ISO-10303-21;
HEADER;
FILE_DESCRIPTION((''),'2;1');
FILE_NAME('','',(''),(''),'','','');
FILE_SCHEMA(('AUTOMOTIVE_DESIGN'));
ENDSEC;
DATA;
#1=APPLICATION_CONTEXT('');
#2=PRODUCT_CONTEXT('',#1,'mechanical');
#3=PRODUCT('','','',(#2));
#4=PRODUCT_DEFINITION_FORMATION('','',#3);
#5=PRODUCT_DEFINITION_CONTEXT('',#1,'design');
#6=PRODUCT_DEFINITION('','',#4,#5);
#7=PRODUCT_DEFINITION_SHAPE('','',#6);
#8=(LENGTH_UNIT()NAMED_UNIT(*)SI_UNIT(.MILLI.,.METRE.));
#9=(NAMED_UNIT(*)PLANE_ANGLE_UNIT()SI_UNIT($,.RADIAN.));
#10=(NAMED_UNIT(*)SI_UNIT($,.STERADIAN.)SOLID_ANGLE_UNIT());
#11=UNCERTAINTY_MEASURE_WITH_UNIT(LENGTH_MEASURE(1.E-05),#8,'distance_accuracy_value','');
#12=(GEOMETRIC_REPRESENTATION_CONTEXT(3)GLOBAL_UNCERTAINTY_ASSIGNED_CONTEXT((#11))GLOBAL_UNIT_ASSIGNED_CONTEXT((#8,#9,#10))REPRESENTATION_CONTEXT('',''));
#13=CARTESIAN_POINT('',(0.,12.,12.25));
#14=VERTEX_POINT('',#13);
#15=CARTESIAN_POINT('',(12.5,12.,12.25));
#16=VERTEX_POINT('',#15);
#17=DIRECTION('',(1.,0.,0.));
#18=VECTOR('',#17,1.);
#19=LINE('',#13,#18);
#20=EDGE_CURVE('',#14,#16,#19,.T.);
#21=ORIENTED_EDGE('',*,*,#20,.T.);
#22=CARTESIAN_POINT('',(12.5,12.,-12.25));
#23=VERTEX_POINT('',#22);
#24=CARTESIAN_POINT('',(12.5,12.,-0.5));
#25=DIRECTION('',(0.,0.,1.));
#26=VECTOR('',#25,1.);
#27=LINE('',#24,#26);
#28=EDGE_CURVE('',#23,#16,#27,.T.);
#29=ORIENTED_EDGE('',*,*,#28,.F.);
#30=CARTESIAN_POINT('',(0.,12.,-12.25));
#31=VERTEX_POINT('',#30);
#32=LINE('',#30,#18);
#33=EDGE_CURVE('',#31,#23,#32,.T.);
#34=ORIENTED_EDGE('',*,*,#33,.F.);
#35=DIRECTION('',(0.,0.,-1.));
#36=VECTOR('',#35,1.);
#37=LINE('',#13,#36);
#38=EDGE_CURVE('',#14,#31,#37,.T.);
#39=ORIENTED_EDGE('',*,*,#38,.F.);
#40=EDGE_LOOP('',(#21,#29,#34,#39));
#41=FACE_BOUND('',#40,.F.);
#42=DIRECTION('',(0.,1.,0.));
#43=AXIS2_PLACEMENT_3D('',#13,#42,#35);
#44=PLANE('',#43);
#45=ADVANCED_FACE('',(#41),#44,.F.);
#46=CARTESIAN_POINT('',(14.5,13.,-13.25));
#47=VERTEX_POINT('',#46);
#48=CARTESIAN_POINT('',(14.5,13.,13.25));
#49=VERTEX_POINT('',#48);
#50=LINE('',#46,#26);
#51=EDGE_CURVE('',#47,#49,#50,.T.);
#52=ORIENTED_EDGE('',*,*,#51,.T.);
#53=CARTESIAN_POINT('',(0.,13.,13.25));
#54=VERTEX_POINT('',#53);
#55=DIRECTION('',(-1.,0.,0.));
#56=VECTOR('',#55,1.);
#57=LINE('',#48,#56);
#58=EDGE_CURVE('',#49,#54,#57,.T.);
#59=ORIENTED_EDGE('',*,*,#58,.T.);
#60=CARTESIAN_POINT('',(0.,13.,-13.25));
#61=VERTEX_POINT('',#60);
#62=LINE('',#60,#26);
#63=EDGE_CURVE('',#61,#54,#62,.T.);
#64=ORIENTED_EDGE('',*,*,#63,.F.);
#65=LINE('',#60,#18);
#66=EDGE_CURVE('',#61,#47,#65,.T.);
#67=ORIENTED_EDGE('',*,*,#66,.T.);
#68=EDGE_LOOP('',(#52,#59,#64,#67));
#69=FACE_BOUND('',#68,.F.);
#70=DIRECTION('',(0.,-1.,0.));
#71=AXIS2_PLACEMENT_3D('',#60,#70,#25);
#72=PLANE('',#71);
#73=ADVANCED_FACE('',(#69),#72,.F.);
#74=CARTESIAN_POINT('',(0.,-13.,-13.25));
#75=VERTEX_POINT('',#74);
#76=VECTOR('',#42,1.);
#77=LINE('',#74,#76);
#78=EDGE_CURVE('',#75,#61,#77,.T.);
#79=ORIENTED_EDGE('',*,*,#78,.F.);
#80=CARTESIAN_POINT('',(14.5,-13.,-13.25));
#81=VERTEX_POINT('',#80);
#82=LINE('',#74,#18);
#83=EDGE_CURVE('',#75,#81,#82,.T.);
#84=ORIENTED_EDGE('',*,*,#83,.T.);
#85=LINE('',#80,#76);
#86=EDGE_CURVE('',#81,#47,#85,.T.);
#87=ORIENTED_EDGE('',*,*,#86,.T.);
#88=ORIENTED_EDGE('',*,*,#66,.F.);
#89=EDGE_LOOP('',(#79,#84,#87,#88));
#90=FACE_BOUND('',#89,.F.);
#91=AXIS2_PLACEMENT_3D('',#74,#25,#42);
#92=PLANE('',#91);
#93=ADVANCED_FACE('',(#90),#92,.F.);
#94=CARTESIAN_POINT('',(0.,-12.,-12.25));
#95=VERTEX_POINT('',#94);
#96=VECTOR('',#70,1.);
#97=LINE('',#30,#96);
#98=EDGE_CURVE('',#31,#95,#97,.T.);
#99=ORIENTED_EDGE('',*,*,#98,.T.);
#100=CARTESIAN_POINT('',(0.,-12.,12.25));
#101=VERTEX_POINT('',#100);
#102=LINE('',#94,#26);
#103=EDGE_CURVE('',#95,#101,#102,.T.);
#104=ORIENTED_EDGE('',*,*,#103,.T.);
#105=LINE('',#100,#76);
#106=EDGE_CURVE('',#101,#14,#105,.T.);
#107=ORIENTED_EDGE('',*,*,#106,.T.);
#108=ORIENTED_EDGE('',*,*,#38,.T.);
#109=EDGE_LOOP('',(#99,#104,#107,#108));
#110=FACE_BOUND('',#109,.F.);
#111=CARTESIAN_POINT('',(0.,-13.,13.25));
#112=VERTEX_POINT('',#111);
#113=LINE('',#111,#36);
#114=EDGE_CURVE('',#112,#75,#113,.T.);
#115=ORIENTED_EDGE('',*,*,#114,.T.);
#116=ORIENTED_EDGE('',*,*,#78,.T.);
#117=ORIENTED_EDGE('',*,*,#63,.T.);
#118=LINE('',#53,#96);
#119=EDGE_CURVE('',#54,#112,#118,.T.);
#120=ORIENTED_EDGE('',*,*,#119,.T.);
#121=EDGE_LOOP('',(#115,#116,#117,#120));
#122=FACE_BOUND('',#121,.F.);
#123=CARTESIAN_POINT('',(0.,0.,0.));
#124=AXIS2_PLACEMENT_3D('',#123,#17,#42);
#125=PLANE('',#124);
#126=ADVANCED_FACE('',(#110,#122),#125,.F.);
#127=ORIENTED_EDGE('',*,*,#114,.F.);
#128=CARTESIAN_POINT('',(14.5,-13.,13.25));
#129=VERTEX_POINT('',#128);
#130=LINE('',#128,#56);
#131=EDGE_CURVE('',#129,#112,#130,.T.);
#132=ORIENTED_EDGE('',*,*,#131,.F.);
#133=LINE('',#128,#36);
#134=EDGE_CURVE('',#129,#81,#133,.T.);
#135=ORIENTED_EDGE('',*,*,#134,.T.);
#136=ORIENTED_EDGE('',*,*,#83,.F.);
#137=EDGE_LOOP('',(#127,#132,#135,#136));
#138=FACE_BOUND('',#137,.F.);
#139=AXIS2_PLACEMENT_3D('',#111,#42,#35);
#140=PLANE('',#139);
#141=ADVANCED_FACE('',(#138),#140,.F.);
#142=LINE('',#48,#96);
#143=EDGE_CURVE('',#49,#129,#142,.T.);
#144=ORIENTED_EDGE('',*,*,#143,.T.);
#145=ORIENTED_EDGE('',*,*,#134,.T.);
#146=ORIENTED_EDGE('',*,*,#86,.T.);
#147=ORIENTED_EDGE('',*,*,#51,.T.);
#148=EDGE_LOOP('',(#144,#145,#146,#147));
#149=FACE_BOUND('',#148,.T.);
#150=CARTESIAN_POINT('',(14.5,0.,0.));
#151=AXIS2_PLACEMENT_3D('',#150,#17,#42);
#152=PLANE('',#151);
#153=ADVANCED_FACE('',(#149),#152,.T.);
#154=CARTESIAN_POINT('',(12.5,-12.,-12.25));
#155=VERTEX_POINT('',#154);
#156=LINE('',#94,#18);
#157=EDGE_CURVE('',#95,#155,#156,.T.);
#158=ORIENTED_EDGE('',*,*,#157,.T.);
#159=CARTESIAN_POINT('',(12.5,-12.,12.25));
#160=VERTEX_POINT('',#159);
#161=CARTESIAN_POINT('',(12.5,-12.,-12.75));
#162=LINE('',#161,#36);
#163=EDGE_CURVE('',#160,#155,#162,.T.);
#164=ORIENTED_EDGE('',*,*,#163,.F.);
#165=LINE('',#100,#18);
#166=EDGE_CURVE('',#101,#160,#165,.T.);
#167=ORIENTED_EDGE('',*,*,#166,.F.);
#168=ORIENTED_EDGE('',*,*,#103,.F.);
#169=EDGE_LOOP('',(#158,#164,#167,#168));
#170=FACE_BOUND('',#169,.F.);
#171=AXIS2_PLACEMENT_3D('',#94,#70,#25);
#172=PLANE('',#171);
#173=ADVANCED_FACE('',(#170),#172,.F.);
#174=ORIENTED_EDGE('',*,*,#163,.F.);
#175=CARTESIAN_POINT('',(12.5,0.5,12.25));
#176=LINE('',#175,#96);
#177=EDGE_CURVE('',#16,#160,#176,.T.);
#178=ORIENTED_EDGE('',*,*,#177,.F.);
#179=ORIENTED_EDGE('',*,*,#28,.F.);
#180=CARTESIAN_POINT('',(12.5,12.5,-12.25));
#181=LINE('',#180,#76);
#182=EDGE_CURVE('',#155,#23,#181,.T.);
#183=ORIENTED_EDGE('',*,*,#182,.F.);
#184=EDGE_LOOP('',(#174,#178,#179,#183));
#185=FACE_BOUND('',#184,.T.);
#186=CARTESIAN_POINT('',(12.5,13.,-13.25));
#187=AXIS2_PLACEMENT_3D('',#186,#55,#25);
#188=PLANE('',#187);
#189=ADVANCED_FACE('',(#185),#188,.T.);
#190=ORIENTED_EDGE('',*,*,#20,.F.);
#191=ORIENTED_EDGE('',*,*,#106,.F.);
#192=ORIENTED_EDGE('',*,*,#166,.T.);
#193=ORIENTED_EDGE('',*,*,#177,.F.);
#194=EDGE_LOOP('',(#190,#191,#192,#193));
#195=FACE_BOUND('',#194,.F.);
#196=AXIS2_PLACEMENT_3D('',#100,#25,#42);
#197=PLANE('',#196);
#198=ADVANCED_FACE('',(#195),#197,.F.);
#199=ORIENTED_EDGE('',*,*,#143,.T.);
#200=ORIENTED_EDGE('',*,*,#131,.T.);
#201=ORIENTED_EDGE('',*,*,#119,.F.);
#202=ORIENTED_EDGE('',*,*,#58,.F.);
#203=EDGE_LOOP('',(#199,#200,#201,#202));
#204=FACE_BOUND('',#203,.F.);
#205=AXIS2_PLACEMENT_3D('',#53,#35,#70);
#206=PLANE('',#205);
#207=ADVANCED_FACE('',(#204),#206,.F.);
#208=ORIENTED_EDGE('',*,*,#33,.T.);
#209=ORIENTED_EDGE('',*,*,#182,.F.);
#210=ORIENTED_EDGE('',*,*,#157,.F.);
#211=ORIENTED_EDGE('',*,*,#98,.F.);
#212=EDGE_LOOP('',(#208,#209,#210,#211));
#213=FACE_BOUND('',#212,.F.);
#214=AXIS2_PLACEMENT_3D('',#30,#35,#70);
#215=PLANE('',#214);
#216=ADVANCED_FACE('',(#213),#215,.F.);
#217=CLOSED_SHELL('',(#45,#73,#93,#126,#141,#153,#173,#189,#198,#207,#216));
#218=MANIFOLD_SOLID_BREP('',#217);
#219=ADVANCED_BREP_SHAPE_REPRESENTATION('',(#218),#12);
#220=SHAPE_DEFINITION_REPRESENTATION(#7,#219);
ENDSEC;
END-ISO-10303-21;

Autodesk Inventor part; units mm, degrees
ref_plane "YZ Plane" through (0, 0, 0) normal (1, 0, 0) x (0, 1, 0)
ref_plane "XZ Plane" through (0, 0, 0) normal (0, 1, 0) x (-1, 0, 0)
ref_plane "XY Plane" through (0, 0, 0) normal (0, 0, 1) x (1, 0, 0)
sketch "Sketch1" plane through (0, 0, 0) normal (1, 0, 0) x (0, 1, 0)
  line L0 (-12, 12.25) -> (12, 12.25)
  line L1 (12, 12.25) -> (12, -12.25)
  line L2 (12, -12.25) -> (-12, -12.25)
  line L3 (-12, -12.25) -> (-12, 12.25)
  line L4 (-12, 12.25) -> (12, -12.25) construction
  line L5 (12, 12.25) -> (-12, -12.25) construction
  line L6 (-13, -13.25) -> (13, -13.25)
  line L7 (13, -13.25) -> (13, 13.25)
  line L8 (13, 13.25) -> (-13, 13.25)
  line L9 (-13, 13.25) -> (-13, -13.25)
  line L10 (-13, -13.25) -> (13, 13.25) construction
  line L11 (13, -13.25) -> (-13, 13.25) construction
  point P0 (0, 0)
  dimension "d0" = 24
  dimension "d1" = 24.5
  dimension "d2" = 26
  dimension "d3" = 26.5
extrude "Extrusion1" add sketch "Sketch1" along normal blind 14.5
sketch "Sketch2" plane through (0, 13, 13.25) normal (0, 1, 0) x (1, 0, 0)
  line L0 (0, 26.5) -> (14.5, 26.5) projected
  line L1 (0, 0) -> (14.5, 0) projected
  line L2 (14.5, 26.5) -> (12.5, 26.5)
  line L3 (12.5, 26.5) -> (12.5, 0)
  line L4 (12.5, 0) -> (14.5, 0)
  line L5 (14.5, 0) -> (14.5, 26.5)
  point P0 (0, 13.25)
  dimension "d6" = 2
extrude "Extrusion2" add sketch "Sketch2" against normal blind 26
sketch "Sketch3" plane through (0, 0, 0) normal (-1, 0, 0) x (0, 0, 1)
  point P0 (0, 0)
properties part number "servoHolderBase"
